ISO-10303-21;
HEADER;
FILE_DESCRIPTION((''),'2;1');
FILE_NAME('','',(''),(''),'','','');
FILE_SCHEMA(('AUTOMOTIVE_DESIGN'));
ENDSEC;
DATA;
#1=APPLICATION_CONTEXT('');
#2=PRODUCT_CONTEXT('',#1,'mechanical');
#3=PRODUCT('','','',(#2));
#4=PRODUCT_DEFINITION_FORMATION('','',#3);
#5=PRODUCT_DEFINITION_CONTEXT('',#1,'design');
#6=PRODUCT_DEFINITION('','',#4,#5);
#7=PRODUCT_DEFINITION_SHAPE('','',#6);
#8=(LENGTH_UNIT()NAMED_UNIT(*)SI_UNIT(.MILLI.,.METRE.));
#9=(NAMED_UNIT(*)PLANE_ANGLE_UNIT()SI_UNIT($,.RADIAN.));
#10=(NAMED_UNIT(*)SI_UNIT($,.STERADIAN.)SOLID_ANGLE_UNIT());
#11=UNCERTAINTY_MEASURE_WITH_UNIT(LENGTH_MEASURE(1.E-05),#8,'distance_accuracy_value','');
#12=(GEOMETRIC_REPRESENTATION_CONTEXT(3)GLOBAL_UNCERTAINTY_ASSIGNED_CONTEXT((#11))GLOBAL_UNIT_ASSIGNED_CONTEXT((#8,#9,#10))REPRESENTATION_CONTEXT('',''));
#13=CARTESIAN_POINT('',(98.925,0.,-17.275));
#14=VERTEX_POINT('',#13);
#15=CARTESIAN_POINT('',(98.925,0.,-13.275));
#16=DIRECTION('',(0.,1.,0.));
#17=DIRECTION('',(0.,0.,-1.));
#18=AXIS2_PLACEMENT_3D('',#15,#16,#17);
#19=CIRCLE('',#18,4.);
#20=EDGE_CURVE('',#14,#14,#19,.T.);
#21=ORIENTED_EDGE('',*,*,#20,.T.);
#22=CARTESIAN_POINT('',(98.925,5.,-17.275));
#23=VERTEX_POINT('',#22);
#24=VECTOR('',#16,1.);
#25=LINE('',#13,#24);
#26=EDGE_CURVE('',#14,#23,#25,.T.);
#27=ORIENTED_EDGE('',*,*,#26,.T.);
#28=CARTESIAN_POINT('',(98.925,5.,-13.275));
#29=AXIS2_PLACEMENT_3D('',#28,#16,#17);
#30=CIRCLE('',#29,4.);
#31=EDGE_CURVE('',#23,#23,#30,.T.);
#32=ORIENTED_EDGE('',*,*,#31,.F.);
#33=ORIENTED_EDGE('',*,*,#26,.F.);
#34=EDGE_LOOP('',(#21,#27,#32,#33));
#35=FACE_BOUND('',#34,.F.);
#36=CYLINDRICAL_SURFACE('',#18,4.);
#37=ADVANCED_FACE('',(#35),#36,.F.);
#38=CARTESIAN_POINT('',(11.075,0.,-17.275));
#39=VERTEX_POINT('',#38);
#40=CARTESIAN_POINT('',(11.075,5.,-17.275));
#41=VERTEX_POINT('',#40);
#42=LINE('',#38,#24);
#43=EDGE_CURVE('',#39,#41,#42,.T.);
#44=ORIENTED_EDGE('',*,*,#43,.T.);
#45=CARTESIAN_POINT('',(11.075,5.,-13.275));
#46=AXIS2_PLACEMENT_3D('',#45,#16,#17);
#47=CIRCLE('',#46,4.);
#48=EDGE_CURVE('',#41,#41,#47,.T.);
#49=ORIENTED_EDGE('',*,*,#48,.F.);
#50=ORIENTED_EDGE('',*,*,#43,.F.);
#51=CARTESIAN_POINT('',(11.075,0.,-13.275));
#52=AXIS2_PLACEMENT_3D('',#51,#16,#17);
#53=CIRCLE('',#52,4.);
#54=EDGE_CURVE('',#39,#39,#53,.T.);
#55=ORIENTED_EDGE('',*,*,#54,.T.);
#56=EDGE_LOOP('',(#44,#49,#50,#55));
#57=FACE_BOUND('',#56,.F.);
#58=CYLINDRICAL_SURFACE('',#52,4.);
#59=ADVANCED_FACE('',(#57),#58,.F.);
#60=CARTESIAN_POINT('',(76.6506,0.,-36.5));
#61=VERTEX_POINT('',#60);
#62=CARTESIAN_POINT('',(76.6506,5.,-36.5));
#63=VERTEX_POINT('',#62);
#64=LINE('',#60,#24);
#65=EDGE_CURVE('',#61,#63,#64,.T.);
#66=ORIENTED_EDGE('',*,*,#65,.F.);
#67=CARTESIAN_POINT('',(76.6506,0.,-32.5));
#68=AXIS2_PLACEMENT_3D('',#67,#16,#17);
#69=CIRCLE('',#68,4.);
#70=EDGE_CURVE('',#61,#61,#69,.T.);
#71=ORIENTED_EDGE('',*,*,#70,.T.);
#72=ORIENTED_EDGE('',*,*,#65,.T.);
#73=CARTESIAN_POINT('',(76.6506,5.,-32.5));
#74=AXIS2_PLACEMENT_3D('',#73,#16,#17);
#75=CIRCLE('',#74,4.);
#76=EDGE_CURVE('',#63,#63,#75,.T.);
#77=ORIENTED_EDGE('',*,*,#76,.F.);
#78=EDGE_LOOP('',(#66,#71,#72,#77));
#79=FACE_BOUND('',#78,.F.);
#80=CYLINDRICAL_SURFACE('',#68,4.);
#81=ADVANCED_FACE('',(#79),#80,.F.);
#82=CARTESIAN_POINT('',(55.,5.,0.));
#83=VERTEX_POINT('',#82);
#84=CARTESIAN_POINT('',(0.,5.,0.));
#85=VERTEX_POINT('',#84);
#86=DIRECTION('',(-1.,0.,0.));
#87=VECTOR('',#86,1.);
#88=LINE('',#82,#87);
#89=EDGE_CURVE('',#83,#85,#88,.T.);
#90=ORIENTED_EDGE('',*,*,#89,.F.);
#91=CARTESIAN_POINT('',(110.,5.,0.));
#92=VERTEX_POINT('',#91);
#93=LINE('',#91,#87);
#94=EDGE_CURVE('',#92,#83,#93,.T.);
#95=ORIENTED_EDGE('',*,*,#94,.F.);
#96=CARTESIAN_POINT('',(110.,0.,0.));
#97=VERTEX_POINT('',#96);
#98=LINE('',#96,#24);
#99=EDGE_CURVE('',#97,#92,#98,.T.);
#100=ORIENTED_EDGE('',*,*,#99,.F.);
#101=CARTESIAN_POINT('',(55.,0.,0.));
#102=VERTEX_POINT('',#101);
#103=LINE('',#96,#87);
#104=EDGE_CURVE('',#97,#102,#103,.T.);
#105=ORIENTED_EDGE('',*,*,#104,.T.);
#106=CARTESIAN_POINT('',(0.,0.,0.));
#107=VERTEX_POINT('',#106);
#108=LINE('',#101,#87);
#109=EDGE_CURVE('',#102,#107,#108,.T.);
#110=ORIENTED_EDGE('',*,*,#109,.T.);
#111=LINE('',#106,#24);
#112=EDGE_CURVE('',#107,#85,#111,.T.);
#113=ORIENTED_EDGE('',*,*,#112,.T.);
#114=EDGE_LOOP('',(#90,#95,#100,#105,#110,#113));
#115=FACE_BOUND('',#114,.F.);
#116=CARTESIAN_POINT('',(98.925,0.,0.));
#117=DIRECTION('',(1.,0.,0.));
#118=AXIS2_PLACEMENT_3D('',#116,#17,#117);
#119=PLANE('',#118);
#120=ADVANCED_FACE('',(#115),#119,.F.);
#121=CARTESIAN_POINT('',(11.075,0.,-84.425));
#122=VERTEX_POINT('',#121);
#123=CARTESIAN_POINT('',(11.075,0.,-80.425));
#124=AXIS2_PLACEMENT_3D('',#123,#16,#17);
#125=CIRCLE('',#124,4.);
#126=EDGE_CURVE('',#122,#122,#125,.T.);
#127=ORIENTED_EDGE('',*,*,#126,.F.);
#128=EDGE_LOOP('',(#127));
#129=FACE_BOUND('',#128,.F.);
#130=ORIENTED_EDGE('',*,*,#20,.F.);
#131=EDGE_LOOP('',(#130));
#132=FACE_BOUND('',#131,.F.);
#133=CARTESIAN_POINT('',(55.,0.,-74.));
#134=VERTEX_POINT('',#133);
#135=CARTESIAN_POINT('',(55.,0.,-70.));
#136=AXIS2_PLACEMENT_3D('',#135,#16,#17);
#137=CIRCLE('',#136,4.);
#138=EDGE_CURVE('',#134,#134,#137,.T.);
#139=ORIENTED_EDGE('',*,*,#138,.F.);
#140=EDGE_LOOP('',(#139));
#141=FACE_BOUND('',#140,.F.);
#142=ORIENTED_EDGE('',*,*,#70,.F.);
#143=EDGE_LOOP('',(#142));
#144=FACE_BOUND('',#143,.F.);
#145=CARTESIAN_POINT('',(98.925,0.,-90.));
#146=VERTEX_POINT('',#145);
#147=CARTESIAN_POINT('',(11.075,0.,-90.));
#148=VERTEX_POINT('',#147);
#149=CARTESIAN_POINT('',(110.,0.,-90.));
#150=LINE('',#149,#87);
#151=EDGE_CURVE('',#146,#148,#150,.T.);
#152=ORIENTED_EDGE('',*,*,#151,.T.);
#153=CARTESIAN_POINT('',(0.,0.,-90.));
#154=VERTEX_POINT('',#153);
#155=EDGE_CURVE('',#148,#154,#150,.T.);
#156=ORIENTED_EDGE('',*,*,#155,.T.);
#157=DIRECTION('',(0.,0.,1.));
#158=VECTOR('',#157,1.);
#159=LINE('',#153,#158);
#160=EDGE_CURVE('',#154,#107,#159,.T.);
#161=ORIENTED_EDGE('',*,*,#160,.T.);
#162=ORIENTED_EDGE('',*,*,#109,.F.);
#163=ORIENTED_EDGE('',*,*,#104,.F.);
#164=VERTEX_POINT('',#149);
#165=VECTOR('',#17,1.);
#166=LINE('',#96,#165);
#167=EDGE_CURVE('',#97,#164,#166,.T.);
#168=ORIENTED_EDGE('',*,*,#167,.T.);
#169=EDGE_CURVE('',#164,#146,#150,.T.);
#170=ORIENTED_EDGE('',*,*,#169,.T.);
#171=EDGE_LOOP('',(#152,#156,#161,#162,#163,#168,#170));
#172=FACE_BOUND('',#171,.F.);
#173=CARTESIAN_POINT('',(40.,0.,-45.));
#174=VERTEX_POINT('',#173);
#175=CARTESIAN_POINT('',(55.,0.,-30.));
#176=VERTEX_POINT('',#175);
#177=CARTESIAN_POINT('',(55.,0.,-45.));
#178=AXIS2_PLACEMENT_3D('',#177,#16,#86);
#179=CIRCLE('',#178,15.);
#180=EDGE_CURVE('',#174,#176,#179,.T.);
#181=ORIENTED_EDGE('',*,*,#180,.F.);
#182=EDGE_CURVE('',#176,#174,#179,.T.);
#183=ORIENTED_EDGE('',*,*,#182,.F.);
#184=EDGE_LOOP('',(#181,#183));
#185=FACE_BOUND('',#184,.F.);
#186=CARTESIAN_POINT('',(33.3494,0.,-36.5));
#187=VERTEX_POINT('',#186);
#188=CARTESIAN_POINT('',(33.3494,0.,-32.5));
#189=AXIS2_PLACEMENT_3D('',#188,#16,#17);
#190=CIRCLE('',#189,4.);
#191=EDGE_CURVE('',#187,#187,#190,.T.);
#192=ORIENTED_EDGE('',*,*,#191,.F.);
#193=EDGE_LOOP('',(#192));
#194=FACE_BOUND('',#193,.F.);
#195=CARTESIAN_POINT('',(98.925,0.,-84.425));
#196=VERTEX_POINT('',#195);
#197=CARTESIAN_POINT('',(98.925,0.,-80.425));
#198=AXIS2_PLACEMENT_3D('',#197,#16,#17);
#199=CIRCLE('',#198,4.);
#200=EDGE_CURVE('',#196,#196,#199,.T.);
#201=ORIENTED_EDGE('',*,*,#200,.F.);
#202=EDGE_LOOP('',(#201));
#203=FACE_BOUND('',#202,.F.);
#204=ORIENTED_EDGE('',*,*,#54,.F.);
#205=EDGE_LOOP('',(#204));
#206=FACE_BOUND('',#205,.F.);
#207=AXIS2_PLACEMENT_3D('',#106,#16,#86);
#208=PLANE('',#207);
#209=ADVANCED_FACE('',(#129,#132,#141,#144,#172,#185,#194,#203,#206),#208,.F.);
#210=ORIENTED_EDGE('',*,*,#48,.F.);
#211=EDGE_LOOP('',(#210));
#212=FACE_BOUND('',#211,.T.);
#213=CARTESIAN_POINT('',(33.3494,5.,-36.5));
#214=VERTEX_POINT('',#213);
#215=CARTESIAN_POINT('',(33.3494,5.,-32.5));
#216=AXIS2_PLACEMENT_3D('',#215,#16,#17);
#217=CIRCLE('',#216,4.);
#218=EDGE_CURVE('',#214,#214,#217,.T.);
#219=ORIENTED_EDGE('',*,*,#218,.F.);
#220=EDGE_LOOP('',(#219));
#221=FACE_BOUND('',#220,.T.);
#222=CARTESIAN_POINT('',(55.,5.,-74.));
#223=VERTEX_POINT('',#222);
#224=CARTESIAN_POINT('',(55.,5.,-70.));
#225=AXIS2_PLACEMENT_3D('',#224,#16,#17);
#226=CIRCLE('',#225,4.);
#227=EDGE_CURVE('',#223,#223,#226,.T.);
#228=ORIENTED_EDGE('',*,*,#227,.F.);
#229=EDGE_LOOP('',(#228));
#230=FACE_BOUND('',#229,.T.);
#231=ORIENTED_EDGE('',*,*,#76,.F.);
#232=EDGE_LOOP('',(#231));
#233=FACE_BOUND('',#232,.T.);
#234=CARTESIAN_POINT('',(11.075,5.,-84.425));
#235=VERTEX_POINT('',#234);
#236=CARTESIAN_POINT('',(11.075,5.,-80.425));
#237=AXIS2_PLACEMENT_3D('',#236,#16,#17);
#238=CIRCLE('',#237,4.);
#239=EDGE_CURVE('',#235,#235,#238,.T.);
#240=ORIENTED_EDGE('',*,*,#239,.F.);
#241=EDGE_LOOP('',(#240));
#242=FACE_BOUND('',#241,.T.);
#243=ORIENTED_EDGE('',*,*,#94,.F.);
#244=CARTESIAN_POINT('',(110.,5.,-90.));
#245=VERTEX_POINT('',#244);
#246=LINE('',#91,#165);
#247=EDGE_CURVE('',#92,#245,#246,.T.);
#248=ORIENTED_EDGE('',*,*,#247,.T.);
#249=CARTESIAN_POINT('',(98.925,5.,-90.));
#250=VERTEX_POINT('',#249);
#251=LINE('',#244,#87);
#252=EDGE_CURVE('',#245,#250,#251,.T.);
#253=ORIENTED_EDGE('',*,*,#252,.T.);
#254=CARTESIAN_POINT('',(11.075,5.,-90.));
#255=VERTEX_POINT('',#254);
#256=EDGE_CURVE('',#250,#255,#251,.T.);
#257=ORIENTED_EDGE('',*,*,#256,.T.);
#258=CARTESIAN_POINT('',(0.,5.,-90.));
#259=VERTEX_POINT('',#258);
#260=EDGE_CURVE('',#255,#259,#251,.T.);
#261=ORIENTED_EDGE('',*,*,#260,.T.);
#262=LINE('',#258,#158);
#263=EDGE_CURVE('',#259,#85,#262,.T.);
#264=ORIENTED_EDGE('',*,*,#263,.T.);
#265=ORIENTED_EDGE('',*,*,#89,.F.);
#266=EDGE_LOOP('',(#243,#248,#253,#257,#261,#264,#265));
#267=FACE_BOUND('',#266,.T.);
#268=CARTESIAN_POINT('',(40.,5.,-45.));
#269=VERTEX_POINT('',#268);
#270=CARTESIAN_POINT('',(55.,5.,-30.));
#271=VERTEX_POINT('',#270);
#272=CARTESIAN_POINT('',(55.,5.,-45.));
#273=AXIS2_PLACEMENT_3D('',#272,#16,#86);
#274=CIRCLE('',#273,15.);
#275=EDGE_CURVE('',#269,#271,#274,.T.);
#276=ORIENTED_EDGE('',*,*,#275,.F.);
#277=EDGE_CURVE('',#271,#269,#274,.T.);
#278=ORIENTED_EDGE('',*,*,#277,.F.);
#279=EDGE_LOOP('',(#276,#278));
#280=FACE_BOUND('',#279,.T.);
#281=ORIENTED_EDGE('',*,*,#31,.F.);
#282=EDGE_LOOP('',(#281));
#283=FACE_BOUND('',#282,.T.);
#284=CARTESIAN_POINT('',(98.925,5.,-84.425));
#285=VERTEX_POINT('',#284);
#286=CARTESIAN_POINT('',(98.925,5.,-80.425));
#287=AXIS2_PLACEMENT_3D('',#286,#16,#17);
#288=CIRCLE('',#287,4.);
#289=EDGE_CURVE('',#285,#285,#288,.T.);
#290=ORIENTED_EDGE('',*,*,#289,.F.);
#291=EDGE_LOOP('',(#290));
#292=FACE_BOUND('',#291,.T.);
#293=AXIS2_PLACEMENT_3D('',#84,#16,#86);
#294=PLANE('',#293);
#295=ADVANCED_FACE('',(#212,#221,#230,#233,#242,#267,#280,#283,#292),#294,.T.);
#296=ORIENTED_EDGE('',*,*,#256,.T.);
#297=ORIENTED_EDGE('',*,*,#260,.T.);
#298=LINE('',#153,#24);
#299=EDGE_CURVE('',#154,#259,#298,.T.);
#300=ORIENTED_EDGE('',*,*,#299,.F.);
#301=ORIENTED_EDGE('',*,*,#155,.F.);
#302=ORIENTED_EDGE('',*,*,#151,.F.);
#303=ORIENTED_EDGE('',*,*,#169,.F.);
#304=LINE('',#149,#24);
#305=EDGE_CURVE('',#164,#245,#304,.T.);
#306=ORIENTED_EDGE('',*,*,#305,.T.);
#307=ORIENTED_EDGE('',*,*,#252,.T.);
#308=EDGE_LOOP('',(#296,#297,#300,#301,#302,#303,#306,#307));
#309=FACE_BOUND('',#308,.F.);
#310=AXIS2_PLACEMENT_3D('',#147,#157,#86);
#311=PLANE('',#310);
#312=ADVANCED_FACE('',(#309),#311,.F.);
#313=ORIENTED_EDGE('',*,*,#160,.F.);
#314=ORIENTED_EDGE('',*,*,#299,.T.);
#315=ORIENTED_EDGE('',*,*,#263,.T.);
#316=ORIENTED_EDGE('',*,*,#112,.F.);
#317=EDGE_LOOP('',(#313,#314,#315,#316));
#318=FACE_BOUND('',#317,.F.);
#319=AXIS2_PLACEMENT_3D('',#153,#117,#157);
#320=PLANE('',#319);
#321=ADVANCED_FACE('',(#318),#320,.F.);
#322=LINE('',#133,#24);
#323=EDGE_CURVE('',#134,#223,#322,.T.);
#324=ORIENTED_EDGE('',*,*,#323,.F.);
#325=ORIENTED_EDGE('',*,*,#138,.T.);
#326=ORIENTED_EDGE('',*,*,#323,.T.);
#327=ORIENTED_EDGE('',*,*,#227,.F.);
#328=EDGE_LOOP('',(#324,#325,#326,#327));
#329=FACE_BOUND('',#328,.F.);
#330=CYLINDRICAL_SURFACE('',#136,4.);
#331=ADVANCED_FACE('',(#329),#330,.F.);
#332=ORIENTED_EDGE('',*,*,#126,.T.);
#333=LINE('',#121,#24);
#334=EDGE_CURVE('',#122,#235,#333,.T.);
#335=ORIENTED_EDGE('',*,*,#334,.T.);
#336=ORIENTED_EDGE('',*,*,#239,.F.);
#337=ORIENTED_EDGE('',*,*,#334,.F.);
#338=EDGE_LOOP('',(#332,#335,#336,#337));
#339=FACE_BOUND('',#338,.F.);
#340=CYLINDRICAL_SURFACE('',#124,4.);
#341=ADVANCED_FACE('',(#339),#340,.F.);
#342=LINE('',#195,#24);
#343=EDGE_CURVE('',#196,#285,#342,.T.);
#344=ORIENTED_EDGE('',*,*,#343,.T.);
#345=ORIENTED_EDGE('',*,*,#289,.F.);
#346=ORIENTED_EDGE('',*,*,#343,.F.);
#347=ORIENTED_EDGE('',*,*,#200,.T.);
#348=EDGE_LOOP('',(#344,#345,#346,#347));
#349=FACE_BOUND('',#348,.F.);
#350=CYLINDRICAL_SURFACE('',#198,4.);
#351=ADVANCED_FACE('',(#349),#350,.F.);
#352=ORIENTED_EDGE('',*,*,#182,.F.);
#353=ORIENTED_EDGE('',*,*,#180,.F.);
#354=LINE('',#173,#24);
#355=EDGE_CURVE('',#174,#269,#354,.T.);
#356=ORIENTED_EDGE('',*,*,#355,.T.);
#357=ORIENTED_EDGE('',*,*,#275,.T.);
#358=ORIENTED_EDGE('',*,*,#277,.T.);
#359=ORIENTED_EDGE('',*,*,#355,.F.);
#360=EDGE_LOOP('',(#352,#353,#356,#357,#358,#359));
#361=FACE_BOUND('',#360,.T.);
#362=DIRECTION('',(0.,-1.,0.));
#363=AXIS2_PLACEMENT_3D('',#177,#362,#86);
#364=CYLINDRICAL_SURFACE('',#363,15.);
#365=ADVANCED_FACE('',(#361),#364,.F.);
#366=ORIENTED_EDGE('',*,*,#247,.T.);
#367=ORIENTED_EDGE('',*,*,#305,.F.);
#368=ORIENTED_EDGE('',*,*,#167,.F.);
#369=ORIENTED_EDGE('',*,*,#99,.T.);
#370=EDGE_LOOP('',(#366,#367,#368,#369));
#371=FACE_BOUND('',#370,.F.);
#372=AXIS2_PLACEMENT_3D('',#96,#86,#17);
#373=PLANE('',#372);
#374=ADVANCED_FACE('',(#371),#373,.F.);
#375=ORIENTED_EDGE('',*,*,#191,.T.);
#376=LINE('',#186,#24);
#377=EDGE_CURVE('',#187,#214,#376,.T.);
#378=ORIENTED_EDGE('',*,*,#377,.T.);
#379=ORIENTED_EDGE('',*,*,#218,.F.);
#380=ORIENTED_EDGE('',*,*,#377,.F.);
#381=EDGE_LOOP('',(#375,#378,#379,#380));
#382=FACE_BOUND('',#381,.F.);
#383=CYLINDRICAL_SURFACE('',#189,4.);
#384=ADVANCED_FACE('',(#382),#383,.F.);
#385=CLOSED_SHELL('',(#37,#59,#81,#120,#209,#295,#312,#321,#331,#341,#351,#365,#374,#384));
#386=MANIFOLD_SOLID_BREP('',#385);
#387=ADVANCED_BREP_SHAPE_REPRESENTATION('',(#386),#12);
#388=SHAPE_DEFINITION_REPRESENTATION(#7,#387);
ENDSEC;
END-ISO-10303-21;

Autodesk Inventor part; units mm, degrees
ref_plane "YZ Plane" through (0, 0, 0) normal (1, 0, 0) x (0, 1, 0)
ref_plane "XZ Plane" through (0, 0, 0) normal (0, 1, 0) x (-1, 0, 0)
ref_plane "XY Plane" through (0, 0, 0) normal (0, 0, 1) x (1, 0, 0)
sketch "Sketch1" plane through (0, 0, 0) normal (0, 1, 0) x (-1, 0, 0)
  line L0 (0, 0) -> (-110, 0)
  line L1 (-110, 0) -> (-110, -90)
  line L2 (-110, -90) -> (0, -90)
  line L3 (0, -90) -> (0, 0)
  line L4 (0, -90) -> (-11.075, -90)
  line L5 (-11.075, -90) -> (-11.075, 0) construction
  line L6 (-11.075, 0) -> (0, 0)
  line L7 (0, 0) -> (0, -90)
  line L8 (-110, -90) -> (-98.925, -90)
  line L9 (-98.925, -90) -> (-98.925, 0) construction
  line L10 (-98.925, 0) -> (-110, 0)
  line L11 (-110, 0) -> (-110, -90)
  line L12 (-11.075, -90) -> (-11.075, -84)
  circle A0 centre (-11.075, -80.425) radius 3.575
  line L13 (-11.075, -76.85) -> (-11.075, -16.85) construction
  circle A1 centre (-11.075, -13.275) radius 3.575
  line L14 (-98.925, -90) -> (-98.925, -84)
  circle A2 centre (-98.925, -80.425) radius 3.575
  line L15 (-98.925, -76.85) -> (-98.925, -16.85) construction
  circle A3 centre (-98.925, -13.275) radius 3.575
  line L16 (-55, 0) -> (-55, -45)
  circle A4 centre (-55, -45) radius 15
  circle A5 centre (-55, -45) radius 25
  circle A6 centre (-55, -70) radius 3.25
  circle A7 centre (-33.3494, -32.5) radius 3.25
  circle A8 centre (-76.6506, -32.5) radius 3.25
  dimension "d7" = 7.15
  dimension "d11" = 7.15
  dimension "d15" = 50
  dimension "d0" = 90
  dimension "d1" = 110
  dimension "d2" = 11.075
  dimension "d3" = 11.075
  dimension "d4" = 6
  dimension "d5" = 7.15
  dimension "d6" = 60
  dimension "d8" = 6
  dimension "d9" = 7.15
  dimension "d10" = 60
  dimension "d12" = 55
  dimension "d13" = 45
  dimension "d14" = 30
  dimension "d16" = 6.5
  dimension "d19" = 360
  dimension "d37" = 87.85
extrude "Extrusion1" add sketch "Sketch1" along normal blind 5 contours A5 A7 A6 A8 | A2 | A0 | L3 L2 L1 L0 | A7 A5 | A5 A7 | A8 A5 | A5 A8 | A6 A5 | A5 A6 | A1 | A3
hole "Hole1" at (98.925, 0, -80.425) at (11.075, 0, -80.425) at (11.075, 0, -13.275) at (98.925, 0, -13.275) direction (0, 1, 0) diameter 8 depth 10
hole "Hole2" at (55, 0, -70) at (76.6506, 0, -32.5) at (33.3494, 0, -32.5) direction (0, 1, 0) diameter 8 depth 10
properties part number "motorbracket2"
